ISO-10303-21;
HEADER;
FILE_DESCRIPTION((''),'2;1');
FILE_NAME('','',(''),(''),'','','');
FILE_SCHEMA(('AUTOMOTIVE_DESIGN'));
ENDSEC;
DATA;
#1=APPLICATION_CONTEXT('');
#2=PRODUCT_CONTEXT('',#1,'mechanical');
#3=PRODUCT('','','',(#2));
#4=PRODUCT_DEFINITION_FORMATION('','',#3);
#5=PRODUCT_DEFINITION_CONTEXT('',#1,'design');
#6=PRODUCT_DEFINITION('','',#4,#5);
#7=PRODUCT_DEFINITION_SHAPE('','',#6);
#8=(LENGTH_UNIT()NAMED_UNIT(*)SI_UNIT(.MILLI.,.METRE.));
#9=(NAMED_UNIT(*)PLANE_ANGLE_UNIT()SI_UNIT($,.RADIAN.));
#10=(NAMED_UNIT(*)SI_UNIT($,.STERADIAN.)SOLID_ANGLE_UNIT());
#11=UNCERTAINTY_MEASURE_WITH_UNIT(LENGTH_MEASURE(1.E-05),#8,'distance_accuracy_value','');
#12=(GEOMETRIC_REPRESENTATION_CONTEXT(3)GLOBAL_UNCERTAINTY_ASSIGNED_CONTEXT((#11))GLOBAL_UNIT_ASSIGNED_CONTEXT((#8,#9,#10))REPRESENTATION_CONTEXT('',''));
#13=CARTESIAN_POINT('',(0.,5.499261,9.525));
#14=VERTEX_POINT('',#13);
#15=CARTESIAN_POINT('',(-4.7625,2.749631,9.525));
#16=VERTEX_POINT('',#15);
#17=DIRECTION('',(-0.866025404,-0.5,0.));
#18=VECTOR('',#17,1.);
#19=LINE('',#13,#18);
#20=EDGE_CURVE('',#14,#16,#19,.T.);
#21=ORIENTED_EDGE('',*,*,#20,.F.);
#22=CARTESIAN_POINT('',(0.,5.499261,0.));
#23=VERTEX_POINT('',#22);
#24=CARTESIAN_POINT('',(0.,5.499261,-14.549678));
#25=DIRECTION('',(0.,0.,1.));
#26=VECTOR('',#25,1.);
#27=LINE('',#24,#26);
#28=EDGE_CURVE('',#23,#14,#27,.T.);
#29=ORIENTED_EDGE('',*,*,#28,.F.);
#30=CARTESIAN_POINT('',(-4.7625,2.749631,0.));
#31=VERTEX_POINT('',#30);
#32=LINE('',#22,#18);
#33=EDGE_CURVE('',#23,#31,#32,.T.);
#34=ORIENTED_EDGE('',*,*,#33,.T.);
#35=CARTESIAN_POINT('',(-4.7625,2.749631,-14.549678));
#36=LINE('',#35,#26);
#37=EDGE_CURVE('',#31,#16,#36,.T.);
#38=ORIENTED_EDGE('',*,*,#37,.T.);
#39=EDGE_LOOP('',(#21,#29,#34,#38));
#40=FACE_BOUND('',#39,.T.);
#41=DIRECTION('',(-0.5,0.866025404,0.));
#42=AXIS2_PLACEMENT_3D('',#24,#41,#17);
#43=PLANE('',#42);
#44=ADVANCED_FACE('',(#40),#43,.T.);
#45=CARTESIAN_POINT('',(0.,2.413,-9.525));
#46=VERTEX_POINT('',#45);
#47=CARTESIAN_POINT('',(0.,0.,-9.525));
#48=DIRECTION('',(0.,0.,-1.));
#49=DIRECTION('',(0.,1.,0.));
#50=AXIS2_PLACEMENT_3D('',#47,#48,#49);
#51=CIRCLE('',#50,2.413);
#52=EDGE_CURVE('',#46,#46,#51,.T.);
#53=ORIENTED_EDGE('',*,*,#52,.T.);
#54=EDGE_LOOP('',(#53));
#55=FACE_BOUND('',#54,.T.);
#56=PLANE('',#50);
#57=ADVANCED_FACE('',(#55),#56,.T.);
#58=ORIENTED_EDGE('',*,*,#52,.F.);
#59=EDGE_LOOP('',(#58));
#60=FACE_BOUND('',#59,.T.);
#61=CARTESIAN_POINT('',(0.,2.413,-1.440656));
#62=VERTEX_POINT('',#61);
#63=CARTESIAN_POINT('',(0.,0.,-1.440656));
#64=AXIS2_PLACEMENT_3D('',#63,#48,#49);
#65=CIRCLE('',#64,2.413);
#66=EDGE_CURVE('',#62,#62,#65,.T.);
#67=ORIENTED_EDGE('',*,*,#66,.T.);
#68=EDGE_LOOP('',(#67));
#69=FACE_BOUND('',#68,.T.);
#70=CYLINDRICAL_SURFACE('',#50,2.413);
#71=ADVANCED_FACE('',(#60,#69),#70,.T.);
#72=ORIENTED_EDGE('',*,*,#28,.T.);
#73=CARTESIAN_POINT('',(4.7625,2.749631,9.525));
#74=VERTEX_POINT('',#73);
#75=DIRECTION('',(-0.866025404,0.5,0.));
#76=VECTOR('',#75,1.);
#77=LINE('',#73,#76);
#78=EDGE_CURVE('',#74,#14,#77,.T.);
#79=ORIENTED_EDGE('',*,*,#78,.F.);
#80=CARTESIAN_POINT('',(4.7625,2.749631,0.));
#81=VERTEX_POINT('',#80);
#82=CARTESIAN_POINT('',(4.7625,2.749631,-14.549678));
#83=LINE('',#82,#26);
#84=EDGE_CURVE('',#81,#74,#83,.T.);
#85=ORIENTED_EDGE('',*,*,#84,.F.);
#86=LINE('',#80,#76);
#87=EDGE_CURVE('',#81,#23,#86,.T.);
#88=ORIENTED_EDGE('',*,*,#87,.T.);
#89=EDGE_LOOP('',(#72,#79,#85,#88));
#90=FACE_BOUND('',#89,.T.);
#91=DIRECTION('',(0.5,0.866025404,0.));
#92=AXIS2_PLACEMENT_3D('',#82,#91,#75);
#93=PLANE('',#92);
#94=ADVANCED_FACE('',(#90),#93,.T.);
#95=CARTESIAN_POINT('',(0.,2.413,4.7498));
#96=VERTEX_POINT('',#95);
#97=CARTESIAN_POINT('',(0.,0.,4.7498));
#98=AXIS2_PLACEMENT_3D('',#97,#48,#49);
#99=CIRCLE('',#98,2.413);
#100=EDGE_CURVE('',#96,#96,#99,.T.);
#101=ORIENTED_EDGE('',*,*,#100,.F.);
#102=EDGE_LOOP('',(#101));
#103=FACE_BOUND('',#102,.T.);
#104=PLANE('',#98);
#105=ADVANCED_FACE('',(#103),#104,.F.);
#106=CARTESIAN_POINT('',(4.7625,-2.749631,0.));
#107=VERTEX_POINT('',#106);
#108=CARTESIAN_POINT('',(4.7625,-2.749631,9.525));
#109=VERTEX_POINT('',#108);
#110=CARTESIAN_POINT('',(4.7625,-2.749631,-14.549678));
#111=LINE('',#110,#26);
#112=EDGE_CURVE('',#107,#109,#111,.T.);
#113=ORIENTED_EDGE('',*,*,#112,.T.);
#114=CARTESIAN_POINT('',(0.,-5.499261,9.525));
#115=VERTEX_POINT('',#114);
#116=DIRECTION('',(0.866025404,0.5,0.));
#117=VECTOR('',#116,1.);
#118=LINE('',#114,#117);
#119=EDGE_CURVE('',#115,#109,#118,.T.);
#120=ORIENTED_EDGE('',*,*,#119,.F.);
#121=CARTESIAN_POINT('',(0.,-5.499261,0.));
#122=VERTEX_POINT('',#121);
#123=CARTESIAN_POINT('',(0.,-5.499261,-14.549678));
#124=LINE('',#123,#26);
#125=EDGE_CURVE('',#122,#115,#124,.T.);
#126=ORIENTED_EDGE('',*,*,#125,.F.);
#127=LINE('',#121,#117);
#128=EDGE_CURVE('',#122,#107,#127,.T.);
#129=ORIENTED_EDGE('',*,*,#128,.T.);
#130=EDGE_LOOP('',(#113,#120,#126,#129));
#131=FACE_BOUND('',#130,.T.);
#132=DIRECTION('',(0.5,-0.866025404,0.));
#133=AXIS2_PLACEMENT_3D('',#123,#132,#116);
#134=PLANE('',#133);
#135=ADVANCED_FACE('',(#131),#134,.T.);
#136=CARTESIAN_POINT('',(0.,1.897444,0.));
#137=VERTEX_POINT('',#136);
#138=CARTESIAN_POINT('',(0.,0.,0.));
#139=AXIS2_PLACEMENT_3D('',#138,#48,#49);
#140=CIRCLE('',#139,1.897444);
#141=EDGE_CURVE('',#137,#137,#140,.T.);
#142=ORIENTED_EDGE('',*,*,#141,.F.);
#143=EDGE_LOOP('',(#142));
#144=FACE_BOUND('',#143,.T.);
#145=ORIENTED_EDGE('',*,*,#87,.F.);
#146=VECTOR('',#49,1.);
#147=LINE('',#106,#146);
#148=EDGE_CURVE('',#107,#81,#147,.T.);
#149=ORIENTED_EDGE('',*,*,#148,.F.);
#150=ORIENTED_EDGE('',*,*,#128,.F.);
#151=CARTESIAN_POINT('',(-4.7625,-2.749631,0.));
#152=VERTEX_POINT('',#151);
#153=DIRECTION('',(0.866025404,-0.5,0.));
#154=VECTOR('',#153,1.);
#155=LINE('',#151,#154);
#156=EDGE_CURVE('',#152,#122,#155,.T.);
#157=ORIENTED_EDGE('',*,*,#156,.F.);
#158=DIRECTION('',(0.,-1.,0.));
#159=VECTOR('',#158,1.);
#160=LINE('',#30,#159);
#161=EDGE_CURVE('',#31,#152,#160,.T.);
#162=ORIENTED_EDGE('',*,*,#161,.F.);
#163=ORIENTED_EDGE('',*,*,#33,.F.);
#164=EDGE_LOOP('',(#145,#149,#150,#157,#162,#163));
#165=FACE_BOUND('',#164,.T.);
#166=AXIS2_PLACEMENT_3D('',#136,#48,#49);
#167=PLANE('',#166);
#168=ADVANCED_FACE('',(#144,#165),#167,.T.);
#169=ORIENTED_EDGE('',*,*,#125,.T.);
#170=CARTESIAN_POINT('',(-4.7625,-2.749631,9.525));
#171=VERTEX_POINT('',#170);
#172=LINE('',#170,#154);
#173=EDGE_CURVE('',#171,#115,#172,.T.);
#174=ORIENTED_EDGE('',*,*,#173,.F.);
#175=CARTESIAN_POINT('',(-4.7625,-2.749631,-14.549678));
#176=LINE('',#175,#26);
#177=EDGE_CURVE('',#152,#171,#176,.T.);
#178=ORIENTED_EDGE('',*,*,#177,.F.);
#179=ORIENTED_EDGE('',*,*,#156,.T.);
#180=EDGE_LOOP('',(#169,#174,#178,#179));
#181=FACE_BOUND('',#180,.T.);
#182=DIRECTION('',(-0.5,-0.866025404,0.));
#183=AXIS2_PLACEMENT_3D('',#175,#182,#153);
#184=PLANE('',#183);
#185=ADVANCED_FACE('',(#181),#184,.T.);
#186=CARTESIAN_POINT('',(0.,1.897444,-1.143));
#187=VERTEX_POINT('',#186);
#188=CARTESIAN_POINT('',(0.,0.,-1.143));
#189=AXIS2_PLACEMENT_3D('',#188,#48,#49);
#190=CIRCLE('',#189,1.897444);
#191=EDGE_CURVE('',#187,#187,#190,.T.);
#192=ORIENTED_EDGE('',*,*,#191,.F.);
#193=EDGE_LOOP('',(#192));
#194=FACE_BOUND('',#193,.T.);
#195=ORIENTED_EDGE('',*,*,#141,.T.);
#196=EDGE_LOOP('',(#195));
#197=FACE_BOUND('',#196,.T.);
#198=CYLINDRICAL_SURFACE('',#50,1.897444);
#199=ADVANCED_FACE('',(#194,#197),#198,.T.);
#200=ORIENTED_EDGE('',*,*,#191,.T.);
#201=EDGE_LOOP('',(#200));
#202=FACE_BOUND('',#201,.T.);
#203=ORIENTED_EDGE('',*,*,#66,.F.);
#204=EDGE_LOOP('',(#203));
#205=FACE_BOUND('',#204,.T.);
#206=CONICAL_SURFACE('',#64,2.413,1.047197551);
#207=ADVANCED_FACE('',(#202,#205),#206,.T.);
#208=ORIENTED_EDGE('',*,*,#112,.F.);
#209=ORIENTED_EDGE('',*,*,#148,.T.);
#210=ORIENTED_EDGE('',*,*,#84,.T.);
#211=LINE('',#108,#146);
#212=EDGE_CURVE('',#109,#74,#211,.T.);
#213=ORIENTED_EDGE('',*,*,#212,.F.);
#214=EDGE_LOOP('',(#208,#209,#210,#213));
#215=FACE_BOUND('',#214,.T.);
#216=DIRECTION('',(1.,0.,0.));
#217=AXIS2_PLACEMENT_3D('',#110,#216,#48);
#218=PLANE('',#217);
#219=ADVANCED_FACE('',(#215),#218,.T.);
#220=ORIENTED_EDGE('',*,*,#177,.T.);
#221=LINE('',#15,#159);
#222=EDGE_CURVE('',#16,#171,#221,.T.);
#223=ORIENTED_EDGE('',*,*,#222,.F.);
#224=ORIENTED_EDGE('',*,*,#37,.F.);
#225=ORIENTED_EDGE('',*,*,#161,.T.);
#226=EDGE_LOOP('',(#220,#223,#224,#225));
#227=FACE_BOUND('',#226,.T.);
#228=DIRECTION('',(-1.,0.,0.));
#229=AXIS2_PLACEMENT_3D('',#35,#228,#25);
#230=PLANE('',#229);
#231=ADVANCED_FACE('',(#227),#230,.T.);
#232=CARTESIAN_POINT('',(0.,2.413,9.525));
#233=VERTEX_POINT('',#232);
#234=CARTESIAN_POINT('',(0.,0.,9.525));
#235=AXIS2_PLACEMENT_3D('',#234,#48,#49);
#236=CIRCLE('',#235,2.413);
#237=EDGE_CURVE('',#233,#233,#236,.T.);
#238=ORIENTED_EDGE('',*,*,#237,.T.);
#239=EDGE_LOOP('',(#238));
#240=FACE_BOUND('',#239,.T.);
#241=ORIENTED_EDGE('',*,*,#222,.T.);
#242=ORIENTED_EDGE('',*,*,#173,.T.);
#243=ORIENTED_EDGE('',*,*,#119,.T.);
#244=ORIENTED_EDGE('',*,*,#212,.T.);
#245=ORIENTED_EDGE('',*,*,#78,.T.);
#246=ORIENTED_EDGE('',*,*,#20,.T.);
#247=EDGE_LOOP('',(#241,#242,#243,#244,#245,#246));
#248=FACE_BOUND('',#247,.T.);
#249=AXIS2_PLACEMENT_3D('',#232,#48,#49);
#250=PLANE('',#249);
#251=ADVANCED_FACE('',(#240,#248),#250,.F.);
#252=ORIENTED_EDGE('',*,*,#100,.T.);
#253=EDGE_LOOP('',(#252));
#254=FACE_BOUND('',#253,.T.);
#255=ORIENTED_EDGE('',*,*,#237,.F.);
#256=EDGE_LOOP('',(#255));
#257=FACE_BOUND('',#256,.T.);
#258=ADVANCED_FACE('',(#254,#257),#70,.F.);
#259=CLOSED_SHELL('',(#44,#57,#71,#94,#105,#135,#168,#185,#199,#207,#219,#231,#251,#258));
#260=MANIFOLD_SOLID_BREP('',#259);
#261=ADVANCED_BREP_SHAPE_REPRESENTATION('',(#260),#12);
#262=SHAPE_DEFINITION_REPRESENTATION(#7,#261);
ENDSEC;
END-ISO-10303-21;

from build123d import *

# Parameters (mm, degrees)
SKETCH4_R           = 3.58775
BOSS_EXTRUDE1_DEPTH = 9.525


with BuildPart() as part:
    # Sketch3 → Revolve1 (revolve)
    with BuildSketch(Plane(origin=(0, 0, 0), x_dir=(0, 0, -1), z_dir=(1, 0, 0))):
        Polygon((-4.7498, 2.413), (-4.7498, 0), (9.525, 0), (9.525, 2.413), (1.44065625, 2.413), (1.143, 1.897444252), (0, 1.897444252), (0, 4.7625), (-9.525, 4.7625), (-9.525, 2.413), align=None)
    revolve(axis=Axis((0, 0, -9.525), (0, 0, 1)))

    # Sketch4 → Boss-Extrude1 (add)
    with BuildSketch(Plane.XY.offset(9.525)):
        Polygon((-4.7625, 2.749630657), (-4.7625, -2.749630657), (0, -5.499261314), (4.7625, -2.749630657), (4.7625, 2.749630657), (0, 5.499261314), align=None)
        Circle(SKETCH4_R, mode=Mode.SUBTRACT)
    extrude(amount=-BOSS_EXTRUDE1_DEPTH)


solid = part.part
